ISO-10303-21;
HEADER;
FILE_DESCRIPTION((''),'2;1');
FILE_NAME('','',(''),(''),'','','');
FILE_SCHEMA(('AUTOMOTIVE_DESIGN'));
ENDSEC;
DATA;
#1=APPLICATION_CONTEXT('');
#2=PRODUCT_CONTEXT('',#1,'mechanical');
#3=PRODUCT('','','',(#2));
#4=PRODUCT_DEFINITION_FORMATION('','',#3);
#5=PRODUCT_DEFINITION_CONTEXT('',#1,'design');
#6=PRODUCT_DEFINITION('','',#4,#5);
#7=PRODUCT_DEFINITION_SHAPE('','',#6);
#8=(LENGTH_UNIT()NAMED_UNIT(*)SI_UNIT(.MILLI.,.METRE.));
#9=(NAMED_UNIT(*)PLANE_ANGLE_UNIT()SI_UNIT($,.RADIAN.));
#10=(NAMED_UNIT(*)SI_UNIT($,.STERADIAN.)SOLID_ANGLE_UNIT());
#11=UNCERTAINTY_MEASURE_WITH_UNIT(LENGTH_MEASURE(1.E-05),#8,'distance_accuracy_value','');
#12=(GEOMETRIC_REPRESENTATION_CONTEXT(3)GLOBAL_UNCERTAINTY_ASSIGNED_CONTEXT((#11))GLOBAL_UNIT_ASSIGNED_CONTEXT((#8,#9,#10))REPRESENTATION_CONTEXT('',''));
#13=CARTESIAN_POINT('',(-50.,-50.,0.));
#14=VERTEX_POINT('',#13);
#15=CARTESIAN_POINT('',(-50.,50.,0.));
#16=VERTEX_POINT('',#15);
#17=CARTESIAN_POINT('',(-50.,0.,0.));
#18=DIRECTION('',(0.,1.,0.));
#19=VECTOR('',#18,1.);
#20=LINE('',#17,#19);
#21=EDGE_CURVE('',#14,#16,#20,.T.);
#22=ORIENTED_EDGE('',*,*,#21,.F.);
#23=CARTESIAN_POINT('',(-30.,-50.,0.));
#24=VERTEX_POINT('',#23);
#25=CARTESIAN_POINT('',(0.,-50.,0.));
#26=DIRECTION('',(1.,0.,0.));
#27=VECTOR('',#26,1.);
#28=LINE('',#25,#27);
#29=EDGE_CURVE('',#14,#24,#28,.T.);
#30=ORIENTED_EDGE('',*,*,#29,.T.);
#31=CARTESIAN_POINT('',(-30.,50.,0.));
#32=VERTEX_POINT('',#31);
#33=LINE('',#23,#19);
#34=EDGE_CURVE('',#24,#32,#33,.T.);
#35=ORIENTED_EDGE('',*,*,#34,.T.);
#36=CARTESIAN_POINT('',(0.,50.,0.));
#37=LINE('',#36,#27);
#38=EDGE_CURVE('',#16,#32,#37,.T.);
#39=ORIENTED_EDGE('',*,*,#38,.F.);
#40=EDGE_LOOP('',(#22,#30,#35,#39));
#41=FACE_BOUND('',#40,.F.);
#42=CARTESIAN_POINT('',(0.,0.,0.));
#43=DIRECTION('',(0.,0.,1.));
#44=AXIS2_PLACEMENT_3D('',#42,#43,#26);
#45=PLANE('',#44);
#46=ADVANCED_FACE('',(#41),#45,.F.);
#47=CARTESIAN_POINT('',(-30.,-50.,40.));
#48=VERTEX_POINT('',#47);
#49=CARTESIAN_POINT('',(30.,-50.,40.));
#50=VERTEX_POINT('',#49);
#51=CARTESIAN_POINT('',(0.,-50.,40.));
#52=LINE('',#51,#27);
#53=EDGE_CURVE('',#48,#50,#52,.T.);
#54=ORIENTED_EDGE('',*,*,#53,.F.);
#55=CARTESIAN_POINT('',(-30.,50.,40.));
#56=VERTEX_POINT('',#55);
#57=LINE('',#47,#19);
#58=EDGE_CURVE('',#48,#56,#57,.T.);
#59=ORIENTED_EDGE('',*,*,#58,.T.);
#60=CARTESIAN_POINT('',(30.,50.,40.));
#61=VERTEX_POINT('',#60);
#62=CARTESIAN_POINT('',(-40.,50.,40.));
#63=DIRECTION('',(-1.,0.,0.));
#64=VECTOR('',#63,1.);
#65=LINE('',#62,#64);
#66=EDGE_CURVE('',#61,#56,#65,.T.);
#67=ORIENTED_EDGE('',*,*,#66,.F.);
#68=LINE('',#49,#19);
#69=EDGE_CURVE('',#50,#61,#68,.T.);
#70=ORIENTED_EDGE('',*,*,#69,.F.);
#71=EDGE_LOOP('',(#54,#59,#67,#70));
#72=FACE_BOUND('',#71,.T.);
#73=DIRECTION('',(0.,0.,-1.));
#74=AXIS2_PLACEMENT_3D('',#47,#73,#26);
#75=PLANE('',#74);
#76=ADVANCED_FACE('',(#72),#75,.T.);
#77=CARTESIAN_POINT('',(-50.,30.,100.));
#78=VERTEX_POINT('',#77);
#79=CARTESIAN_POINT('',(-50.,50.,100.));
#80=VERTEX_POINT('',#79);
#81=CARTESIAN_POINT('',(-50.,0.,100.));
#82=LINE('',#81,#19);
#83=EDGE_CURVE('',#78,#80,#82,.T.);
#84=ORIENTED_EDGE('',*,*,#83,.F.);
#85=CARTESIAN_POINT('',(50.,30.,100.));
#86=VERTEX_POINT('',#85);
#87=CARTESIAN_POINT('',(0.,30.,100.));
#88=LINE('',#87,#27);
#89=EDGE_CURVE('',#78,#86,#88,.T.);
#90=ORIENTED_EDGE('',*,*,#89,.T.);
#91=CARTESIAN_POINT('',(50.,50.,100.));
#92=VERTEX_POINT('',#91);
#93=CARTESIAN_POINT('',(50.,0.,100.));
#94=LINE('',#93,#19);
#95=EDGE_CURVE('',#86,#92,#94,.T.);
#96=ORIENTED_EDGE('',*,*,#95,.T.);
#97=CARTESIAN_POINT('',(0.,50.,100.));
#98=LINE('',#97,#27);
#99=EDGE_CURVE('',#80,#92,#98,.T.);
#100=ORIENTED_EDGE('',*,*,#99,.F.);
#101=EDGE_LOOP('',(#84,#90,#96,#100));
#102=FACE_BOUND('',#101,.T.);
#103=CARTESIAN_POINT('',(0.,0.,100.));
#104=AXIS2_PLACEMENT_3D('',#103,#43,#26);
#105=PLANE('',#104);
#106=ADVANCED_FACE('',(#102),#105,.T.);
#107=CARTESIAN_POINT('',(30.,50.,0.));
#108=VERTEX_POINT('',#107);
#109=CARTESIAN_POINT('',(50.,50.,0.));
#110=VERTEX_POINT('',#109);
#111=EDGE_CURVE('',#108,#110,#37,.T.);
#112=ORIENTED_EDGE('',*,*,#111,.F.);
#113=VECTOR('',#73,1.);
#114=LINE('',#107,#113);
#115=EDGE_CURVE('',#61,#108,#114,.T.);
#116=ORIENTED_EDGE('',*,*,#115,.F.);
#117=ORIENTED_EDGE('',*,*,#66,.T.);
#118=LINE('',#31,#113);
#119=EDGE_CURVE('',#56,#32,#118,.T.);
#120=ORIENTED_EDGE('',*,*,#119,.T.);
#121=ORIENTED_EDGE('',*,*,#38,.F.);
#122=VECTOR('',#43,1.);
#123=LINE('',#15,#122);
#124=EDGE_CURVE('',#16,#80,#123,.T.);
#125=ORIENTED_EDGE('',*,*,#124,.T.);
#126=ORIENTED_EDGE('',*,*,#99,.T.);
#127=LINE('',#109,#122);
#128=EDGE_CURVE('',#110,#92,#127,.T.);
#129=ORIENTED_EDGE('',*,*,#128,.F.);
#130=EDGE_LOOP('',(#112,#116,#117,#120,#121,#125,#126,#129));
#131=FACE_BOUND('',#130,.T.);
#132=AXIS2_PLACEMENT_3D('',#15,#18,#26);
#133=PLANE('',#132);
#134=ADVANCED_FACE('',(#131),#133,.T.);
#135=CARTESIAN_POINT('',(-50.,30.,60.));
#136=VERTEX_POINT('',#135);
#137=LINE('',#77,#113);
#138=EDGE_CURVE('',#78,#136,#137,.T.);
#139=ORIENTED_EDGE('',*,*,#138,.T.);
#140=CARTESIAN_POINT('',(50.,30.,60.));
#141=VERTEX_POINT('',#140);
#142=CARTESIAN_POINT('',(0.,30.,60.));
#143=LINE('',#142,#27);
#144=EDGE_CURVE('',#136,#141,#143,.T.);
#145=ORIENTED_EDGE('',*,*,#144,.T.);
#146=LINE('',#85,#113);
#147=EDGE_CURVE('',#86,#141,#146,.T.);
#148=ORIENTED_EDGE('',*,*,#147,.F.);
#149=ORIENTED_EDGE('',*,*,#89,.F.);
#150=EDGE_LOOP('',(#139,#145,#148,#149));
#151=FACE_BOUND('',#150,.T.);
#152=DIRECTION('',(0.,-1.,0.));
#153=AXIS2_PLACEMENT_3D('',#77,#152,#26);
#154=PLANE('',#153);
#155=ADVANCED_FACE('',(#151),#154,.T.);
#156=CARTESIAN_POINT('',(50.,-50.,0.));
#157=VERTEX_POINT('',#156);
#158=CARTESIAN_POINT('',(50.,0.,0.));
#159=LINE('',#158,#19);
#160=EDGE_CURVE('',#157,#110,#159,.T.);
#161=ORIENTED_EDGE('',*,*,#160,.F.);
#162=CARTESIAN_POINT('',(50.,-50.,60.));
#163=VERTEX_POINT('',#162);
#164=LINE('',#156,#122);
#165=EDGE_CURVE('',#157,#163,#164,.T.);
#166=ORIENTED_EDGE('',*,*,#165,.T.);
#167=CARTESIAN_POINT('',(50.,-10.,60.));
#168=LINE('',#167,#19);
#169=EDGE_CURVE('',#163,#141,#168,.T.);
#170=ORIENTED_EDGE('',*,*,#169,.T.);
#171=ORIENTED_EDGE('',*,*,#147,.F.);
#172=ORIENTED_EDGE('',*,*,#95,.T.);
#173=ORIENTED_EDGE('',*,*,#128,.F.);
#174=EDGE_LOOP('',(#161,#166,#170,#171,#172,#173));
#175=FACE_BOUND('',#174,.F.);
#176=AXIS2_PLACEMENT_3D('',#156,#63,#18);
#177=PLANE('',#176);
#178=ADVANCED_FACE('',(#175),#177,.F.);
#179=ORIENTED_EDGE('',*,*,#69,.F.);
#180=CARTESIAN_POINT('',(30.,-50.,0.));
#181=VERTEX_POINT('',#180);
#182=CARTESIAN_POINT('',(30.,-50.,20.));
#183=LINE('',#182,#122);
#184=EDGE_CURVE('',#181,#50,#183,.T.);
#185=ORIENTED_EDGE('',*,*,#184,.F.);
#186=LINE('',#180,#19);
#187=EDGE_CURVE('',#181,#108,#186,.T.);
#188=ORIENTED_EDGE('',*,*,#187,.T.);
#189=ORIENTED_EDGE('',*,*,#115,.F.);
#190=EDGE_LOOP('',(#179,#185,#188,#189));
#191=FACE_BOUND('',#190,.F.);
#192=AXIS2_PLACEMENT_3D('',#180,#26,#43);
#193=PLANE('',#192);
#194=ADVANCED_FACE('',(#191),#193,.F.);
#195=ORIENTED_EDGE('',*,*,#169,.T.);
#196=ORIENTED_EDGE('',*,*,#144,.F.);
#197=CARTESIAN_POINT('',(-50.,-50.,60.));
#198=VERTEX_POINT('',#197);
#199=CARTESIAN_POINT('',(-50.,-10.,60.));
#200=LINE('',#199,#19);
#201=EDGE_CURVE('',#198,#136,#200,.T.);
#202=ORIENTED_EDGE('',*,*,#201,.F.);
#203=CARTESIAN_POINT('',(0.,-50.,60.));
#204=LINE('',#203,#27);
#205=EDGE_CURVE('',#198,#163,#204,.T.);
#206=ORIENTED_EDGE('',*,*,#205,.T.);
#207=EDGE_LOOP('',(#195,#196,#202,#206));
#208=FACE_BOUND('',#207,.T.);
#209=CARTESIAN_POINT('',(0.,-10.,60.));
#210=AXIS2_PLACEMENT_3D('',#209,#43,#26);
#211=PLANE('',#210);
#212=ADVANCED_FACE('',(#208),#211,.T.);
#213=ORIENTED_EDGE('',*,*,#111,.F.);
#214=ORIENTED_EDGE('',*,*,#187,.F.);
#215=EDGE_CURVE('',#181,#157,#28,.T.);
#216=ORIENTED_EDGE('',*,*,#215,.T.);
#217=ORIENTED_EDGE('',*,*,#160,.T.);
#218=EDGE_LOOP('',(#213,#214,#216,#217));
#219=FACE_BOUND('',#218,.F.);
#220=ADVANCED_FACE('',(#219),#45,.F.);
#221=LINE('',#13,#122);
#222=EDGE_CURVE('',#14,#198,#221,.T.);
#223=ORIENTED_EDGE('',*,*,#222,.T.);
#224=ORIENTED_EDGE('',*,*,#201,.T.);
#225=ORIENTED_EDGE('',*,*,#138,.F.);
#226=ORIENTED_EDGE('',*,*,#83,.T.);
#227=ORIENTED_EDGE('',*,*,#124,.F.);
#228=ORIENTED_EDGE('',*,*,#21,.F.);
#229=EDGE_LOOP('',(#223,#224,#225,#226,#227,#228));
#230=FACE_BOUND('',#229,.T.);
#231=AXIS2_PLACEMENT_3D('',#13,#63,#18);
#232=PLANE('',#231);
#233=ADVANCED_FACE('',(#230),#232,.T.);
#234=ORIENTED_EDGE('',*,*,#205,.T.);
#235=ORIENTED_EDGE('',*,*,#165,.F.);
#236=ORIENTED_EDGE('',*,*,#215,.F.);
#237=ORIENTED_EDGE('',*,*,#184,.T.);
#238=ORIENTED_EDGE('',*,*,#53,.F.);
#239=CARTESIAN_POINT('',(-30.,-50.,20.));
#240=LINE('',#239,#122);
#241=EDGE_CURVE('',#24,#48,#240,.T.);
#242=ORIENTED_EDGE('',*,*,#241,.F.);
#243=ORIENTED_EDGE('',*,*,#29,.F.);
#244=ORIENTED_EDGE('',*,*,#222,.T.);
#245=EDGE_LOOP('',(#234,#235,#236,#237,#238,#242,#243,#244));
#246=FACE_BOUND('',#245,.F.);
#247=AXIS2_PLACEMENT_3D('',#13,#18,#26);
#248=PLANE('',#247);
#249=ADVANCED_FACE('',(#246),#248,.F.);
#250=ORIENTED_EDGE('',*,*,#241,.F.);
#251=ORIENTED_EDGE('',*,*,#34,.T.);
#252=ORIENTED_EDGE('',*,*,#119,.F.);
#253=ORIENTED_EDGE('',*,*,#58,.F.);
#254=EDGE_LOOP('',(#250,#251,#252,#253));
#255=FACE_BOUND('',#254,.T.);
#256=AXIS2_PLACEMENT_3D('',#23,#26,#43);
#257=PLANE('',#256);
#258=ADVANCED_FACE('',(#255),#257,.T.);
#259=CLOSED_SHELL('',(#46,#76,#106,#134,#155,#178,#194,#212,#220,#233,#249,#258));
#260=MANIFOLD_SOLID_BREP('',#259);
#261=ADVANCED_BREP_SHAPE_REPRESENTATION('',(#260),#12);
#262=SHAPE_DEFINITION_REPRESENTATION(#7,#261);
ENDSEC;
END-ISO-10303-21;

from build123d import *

# Parameters (mm, degrees)
F0_W     = 100
F0_H     = 100
F1_DEPTH = 100
F2_W     = 100
F2_H     = 80
F3_DEPTH = 40
F4_W     = 60
F4_H     = 40
F5_DEPTH = 2000


with BuildPart() as f1:
    # F0 (on Top) → F1 (new body)
    with BuildSketch(Plane.XY):
        Rectangle(F0_W, F0_H)
    extrude(amount=F1_DEPTH)

    # F2 (on face) → F3 (cut)
    with BuildSketch(Plane.XY.offset(100)):
        with Locations((0, -10)):
            Rectangle(F2_W, F2_H)
    extrude(amount=-F3_DEPTH, mode=Mode.SUBTRACT)

    # F4 (on face) → F5 (cut)
    with BuildSketch(Plane.XZ.offset(50)):
        with Locations((0, 20)):
            Rectangle(F4_W, F4_H)
    extrude(amount=-F5_DEPTH, mode=Mode.SUBTRACT)


solid = f1.part
